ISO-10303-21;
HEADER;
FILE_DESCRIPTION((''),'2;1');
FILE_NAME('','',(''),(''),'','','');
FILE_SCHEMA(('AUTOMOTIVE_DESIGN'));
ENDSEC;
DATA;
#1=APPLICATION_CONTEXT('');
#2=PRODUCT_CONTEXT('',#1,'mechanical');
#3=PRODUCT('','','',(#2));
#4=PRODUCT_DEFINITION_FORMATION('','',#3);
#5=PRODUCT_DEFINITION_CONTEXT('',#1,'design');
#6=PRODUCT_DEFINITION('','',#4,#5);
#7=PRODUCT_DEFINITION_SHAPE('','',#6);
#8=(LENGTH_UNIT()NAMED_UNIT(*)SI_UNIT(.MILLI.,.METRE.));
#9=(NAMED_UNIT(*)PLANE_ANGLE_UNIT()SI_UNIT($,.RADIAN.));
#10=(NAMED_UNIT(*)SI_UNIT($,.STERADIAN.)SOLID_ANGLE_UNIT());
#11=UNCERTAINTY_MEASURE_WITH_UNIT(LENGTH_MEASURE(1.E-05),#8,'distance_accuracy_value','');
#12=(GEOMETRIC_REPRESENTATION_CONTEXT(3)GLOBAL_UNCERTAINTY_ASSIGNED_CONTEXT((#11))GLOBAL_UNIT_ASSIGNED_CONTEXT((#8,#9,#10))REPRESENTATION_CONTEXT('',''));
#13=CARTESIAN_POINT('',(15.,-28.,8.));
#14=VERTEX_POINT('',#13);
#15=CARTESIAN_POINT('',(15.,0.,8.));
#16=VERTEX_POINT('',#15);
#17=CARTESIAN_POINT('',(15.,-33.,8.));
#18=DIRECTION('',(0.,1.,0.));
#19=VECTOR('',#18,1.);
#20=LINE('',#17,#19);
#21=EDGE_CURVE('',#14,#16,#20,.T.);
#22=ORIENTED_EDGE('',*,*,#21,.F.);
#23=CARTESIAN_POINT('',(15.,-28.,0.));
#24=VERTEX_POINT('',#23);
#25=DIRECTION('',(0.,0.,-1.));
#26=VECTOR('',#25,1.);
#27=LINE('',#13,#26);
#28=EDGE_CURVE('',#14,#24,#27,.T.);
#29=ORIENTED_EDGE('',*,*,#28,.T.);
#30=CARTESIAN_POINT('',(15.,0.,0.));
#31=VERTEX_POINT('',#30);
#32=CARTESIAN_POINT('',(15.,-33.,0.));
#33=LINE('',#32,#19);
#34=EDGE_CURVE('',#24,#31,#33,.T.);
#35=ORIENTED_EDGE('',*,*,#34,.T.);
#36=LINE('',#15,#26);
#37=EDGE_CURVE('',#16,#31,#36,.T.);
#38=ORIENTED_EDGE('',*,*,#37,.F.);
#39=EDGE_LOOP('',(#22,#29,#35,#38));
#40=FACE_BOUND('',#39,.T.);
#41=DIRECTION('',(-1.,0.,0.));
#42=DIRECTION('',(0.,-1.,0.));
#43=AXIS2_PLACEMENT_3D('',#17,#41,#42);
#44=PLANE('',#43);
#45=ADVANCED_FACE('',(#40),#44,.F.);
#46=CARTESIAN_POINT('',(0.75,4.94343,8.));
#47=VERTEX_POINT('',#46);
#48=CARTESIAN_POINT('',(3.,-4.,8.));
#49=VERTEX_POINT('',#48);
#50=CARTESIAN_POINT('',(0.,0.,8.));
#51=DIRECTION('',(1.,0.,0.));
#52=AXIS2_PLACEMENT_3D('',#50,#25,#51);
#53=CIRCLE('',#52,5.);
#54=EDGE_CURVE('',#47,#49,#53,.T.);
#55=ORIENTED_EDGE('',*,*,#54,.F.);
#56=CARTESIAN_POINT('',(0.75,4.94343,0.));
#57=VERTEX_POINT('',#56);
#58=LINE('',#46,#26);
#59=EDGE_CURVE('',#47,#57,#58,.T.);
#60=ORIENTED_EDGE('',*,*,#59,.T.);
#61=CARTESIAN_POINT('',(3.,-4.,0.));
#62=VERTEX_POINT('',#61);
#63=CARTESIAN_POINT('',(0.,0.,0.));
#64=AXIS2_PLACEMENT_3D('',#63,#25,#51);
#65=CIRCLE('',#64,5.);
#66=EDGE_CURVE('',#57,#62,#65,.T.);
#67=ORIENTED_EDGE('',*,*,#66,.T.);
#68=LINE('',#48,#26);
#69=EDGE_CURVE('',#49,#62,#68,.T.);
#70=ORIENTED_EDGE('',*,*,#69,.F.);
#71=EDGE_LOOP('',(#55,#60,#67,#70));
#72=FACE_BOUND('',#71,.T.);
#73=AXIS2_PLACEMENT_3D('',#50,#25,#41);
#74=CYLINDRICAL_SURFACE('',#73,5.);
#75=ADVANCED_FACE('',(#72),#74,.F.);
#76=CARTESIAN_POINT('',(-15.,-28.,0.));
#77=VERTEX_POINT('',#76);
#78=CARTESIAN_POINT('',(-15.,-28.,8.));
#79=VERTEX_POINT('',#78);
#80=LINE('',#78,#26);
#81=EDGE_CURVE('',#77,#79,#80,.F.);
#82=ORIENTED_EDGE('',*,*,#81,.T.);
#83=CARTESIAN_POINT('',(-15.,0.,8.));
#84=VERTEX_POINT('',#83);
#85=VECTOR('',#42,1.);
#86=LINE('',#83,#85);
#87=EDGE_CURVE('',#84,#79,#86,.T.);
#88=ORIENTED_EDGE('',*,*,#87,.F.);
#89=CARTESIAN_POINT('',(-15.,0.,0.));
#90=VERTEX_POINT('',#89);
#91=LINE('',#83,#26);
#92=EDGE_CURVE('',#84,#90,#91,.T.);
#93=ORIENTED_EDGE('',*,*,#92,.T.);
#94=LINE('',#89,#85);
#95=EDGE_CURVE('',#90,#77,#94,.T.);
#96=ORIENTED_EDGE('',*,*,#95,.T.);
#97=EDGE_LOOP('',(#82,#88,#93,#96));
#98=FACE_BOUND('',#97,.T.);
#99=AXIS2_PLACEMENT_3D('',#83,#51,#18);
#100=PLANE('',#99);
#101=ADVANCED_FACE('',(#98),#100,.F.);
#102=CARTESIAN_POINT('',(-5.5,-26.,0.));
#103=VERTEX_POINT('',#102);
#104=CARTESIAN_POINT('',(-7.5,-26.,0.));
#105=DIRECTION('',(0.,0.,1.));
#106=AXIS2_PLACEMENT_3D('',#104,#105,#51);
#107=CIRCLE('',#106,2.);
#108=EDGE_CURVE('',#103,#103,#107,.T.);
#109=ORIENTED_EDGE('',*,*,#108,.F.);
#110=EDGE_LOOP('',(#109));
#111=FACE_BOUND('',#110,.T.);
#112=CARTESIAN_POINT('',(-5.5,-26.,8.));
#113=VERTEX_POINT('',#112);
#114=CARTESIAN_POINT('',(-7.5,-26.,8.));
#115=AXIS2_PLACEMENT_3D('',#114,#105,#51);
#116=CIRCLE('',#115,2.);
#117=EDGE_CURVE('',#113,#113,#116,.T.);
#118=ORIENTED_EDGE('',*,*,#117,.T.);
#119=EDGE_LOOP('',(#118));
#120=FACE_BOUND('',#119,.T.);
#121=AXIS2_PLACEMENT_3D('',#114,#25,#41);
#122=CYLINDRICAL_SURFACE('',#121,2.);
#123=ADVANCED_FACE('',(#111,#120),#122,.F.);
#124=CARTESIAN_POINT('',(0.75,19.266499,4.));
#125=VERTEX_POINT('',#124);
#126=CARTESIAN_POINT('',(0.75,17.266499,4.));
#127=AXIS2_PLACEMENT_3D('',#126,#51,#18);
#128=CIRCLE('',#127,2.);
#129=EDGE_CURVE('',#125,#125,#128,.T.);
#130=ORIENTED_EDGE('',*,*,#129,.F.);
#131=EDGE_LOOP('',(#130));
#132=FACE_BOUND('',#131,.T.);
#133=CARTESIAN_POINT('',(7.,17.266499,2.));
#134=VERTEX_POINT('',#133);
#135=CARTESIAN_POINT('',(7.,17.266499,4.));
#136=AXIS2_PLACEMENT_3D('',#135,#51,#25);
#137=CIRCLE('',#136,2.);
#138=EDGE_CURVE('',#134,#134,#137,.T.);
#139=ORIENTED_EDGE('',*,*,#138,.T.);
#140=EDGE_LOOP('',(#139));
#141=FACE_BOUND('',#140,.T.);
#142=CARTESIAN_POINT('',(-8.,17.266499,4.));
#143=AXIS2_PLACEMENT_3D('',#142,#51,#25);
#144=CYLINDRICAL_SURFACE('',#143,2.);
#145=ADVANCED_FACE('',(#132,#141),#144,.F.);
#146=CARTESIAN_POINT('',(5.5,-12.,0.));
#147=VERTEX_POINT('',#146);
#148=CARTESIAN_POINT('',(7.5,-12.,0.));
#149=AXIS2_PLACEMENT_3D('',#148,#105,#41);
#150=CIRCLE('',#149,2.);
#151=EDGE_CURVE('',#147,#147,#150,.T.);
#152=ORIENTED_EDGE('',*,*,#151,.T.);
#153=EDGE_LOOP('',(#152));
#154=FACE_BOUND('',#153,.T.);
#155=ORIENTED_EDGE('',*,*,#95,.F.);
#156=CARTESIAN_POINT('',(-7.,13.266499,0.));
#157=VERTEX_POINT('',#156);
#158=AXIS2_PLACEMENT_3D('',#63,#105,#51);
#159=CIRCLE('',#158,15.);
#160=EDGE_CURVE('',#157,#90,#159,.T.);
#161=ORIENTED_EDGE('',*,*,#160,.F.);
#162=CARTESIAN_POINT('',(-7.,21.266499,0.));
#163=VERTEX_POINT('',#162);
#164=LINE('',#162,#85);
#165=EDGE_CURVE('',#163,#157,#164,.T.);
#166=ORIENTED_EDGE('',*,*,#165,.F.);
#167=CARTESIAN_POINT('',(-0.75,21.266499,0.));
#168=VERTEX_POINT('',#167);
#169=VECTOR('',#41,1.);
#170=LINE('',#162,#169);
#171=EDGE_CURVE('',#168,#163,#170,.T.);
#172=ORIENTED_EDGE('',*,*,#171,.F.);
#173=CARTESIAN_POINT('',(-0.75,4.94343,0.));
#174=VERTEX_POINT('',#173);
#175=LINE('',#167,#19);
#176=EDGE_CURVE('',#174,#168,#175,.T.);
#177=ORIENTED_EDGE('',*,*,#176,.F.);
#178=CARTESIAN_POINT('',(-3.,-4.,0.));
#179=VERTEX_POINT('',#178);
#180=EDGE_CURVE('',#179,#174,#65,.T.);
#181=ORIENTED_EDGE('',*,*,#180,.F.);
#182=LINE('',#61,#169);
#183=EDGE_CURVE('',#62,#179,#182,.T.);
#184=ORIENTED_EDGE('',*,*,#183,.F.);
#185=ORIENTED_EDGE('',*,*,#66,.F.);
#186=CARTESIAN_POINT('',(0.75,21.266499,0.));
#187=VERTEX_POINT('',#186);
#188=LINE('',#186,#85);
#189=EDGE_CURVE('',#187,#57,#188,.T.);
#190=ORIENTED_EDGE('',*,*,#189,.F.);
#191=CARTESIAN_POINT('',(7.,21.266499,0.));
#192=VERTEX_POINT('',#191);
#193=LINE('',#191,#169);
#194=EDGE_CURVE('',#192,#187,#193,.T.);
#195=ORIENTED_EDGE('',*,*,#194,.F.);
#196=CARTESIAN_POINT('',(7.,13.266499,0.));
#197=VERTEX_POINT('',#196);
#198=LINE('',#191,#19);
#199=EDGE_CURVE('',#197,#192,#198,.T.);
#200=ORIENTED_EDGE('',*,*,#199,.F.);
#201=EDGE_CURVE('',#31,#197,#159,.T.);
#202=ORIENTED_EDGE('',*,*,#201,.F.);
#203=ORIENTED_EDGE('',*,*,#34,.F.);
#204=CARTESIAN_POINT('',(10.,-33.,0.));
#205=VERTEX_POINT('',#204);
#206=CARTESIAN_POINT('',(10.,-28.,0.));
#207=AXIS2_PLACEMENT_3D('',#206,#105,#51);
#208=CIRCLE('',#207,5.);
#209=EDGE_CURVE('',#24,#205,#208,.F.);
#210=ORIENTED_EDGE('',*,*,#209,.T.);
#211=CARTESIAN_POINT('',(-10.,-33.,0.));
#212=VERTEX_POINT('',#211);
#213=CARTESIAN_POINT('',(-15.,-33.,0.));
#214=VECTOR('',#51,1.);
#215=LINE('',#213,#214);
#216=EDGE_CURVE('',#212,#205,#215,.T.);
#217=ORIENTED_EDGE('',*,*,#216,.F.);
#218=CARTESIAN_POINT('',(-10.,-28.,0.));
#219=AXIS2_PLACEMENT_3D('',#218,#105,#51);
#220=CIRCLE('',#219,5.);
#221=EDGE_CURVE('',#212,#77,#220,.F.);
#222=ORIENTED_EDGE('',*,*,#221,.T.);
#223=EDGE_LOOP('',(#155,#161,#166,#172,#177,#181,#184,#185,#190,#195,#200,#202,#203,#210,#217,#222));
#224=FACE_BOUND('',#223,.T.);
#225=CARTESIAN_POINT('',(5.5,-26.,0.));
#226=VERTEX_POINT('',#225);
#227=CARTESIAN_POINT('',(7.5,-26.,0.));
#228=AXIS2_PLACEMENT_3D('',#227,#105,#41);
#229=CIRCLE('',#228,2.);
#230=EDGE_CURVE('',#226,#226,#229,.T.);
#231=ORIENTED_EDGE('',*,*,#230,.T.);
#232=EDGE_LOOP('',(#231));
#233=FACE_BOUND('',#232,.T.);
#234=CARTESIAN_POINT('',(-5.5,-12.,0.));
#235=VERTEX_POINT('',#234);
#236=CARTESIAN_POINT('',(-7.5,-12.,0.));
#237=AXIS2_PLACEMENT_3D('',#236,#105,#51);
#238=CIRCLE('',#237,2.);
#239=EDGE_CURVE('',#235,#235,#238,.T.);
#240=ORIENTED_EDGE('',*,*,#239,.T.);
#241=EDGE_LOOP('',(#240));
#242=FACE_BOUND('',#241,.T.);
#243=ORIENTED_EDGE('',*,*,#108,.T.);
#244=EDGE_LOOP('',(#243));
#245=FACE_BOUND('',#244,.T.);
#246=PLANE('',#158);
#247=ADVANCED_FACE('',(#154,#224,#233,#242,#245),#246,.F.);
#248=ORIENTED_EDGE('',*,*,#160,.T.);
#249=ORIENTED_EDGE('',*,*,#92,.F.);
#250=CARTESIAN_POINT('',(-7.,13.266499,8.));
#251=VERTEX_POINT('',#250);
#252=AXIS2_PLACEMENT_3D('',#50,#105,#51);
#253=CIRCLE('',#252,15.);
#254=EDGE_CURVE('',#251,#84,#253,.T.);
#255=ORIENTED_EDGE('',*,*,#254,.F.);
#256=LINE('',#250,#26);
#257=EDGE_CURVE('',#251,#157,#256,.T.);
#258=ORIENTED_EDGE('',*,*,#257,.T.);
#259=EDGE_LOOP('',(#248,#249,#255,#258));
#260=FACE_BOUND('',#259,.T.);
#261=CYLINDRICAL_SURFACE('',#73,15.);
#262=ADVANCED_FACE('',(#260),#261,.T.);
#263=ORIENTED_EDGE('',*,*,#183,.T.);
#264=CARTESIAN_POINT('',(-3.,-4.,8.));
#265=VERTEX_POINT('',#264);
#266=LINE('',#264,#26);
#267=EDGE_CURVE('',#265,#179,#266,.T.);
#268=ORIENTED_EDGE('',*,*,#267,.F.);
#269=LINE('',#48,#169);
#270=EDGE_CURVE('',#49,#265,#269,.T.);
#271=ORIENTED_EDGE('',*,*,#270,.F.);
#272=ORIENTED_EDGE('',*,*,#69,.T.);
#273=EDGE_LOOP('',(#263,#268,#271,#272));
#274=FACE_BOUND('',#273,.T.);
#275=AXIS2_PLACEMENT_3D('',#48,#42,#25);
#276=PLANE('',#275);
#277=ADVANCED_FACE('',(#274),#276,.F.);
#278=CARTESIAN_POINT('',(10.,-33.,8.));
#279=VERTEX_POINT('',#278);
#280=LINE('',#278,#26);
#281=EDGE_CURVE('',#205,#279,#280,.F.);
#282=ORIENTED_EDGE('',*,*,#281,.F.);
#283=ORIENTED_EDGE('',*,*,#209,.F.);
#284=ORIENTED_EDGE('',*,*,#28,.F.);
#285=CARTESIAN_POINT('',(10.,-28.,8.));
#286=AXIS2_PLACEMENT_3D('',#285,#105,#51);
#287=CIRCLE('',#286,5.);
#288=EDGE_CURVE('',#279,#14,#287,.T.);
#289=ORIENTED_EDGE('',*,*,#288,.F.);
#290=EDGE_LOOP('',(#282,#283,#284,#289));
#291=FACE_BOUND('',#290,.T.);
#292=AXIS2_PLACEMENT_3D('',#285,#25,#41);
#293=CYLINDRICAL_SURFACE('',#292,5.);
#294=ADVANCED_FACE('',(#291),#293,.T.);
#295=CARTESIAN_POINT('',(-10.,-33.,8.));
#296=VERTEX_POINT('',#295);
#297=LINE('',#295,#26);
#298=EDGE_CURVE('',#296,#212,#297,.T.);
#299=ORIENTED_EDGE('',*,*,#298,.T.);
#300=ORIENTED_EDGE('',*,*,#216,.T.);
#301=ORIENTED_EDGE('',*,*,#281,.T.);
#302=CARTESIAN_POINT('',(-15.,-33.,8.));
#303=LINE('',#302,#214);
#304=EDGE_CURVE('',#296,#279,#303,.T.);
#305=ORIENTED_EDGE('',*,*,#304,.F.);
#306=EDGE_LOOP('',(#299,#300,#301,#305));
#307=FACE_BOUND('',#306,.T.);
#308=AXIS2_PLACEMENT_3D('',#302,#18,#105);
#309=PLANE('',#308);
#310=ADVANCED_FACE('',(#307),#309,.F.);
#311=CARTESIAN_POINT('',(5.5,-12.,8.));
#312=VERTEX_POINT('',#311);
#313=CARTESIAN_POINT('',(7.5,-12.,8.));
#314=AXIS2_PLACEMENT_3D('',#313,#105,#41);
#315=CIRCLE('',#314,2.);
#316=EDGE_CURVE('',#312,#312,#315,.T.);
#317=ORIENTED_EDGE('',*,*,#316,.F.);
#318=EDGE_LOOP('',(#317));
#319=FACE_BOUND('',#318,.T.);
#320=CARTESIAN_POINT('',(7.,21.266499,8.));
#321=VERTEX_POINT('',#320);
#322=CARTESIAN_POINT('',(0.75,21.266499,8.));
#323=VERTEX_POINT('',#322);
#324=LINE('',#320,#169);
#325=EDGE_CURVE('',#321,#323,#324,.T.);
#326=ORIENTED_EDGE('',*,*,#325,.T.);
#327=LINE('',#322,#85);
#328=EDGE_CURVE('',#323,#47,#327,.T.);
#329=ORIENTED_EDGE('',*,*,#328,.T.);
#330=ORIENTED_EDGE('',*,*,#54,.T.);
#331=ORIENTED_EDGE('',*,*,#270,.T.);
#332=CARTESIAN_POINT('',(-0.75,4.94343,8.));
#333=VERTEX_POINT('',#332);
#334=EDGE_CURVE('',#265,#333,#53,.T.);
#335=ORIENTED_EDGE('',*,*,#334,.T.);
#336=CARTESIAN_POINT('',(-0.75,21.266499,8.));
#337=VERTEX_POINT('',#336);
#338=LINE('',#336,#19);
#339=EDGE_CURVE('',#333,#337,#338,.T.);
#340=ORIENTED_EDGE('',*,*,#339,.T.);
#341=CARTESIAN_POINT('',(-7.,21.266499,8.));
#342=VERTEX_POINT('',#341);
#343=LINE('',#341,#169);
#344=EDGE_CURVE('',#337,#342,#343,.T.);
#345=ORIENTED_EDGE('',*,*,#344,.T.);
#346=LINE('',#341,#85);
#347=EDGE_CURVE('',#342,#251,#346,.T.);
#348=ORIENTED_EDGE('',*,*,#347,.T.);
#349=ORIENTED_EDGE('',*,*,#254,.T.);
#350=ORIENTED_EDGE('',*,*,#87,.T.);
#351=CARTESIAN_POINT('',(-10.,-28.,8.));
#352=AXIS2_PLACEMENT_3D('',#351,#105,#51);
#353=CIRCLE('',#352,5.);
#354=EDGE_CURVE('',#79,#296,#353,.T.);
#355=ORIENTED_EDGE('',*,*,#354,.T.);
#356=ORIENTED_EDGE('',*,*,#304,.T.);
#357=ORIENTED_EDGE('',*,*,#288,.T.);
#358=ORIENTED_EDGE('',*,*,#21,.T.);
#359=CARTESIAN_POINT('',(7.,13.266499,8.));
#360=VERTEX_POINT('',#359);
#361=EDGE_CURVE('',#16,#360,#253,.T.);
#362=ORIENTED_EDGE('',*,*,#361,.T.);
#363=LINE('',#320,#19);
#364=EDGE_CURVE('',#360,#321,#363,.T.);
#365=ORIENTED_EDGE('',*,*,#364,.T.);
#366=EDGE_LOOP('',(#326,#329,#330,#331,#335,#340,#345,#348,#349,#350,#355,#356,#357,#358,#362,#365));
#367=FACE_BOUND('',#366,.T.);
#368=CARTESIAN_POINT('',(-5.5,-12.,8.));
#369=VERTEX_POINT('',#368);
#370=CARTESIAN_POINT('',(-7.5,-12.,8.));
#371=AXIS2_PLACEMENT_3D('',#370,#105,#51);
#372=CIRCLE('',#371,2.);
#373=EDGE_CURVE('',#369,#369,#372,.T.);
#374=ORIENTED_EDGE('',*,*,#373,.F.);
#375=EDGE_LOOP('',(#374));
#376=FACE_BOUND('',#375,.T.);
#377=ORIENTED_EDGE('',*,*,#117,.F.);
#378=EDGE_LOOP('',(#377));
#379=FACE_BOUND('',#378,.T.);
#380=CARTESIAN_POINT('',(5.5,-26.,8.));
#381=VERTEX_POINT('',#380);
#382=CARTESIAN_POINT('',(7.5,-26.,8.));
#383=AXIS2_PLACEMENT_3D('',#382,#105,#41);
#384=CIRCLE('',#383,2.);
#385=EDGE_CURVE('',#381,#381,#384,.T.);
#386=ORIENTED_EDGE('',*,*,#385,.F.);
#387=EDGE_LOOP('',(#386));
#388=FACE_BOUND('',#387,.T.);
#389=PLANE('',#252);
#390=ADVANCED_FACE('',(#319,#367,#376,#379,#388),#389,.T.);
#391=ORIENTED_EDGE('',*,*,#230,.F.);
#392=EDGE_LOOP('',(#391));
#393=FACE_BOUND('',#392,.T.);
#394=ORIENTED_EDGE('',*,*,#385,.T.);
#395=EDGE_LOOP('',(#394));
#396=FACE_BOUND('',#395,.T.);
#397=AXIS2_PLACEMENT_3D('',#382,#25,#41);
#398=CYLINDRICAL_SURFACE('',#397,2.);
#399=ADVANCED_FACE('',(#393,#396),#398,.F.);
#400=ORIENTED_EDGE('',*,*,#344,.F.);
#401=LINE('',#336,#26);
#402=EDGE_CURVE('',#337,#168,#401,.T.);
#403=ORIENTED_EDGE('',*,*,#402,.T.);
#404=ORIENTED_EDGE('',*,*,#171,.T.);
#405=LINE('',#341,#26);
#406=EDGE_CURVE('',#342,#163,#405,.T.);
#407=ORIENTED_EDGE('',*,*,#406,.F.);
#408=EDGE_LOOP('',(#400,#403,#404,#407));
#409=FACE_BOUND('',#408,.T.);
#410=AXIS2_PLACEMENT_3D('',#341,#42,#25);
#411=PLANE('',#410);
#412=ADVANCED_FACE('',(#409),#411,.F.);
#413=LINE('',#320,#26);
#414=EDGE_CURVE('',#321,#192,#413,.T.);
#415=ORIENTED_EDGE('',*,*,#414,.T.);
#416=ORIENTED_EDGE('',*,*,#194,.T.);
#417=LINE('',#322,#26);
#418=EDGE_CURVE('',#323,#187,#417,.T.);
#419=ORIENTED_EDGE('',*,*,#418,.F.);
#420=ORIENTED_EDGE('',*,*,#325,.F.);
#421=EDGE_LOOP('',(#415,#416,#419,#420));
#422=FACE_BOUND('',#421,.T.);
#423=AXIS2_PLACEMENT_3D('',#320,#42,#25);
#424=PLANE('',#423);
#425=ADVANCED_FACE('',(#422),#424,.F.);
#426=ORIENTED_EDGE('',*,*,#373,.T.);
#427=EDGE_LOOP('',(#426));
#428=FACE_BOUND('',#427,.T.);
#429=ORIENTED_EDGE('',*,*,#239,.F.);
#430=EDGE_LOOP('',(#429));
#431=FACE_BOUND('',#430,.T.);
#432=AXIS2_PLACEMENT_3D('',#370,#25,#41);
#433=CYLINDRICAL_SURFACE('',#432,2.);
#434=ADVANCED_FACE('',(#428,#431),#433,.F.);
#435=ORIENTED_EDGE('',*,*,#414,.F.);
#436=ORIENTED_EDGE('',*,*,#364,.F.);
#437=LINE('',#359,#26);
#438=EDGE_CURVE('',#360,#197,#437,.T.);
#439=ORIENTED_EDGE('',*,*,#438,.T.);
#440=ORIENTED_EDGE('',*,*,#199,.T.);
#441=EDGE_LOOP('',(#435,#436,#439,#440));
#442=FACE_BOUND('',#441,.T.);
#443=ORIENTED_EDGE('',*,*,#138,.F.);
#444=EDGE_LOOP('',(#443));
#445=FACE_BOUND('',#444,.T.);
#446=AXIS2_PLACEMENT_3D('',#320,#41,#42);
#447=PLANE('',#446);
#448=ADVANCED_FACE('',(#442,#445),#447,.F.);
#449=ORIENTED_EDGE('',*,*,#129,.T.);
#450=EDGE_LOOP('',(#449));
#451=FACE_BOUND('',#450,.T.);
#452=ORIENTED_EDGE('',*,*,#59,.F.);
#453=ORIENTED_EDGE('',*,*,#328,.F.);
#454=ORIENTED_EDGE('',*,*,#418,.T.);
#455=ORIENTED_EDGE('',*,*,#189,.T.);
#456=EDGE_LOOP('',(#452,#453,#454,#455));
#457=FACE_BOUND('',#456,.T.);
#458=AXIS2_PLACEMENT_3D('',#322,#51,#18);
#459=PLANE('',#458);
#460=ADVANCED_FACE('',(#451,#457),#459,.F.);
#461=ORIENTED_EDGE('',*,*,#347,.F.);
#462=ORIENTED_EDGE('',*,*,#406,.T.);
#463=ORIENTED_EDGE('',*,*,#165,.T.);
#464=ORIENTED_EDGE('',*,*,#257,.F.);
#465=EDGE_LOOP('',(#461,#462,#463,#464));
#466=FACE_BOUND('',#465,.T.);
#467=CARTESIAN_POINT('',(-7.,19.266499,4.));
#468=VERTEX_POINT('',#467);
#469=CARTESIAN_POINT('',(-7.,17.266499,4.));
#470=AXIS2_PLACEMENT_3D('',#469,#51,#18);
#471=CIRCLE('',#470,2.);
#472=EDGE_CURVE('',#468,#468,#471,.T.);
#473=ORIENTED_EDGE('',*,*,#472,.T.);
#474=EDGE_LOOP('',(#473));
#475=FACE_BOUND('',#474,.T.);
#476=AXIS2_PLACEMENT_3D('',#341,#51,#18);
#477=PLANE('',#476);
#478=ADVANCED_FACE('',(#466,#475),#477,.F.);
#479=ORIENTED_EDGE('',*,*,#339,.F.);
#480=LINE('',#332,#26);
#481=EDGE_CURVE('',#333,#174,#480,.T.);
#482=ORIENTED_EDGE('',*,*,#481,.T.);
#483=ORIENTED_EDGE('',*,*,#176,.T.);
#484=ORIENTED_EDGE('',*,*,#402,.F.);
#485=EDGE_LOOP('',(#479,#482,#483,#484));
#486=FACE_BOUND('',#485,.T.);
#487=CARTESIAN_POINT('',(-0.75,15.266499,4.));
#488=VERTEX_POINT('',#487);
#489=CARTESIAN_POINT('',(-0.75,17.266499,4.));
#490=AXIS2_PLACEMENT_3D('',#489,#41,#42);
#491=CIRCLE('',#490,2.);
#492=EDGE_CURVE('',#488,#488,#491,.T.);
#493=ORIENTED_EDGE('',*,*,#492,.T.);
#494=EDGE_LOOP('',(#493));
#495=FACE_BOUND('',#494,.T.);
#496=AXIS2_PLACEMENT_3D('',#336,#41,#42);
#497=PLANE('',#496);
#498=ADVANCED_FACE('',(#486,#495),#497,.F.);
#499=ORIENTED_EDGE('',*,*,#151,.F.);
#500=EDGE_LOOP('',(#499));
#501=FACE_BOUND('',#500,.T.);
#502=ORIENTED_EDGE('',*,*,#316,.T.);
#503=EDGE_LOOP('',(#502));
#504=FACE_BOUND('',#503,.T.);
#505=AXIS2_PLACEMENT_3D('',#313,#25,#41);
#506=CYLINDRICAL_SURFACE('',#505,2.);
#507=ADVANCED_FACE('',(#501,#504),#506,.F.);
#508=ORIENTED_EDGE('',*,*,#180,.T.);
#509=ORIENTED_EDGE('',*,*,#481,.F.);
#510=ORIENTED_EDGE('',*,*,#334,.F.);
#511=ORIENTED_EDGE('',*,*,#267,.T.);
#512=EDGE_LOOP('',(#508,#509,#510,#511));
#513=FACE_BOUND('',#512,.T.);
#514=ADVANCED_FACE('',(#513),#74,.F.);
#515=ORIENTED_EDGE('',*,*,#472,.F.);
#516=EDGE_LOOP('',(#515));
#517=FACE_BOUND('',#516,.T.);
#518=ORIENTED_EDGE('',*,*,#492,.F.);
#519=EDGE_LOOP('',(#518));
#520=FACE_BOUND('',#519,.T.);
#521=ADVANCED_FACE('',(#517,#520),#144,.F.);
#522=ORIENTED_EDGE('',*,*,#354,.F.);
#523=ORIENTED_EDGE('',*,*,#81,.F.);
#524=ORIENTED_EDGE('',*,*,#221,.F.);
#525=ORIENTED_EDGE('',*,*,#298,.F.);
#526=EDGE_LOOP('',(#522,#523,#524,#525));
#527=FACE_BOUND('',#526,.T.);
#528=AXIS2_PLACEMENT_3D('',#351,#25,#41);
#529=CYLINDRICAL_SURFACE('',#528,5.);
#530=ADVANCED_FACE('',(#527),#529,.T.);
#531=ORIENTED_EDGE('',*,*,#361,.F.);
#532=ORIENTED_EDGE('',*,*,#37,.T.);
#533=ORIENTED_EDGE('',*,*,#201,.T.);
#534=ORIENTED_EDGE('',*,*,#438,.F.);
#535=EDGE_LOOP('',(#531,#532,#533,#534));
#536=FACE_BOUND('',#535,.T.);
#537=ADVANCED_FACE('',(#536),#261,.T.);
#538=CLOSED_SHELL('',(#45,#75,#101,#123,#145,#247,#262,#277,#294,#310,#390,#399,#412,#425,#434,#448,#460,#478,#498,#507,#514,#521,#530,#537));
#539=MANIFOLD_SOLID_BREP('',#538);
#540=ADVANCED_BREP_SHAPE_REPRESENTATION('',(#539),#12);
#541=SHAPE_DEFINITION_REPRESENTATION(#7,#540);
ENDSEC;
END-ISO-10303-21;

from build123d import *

# Parameters (mm, degrees)
SKETCH_1_R          = 2
EXTRUDE_1_DEPTH     = 8
SKETCH_2_R          = 2
CUT_EXTRUDE_1_DEPTH = 15
FILLET_2_R          = 5


with BuildPart() as part:
    # 草图1 → 凸台-拉伸1 (new body)
    with BuildSketch(Plane.XY):
        with BuildLine():
            Line((-15, 0), (-15, -33))
            Line((-15, -33), (15, -33))
            Line((15, -33), (15, 0))
            ThreePointArc((15, 0), (12.845232579, 7.745966692), (7, 13.266499161))
            Line((7, 13.266499161), (7, 21.266499161))
            Line((7, 21.266499161), (0.75, 21.266499161))
            Line((0.75, 21.266499161), (0.75, 4.943429983))
            ThreePointArc((0.75, 4.943429983), (4.848902965, 1.219893452), (3, -4))
            Line((3, -4), (-3, -4))
            ThreePointArc((-3, -4), (-4.848902965, 1.219893452), (-0.75, 4.943429983))
            Line((-0.75, 4.943429983), (-0.75, 21.266499161))
            Line((-0.75, 21.266499161), (-7, 21.266499161))
            Line((-7, 21.266499161), (-7, 13.266499161))
            ThreePointArc((-7, 13.266499161), (-12.845232579, 7.745966692), (-15, 0))
        make_face()
        with Locations((-7.5, -12)):
            Circle(SKETCH_1_R, mode=Mode.SUBTRACT)
        with Locations((-7.5, -26)):
            Circle(SKETCH_1_R, mode=Mode.SUBTRACT)
        with Locations(Location((7.5, -26, 0), (0, 0, 180))):
            Circle(SKETCH_1_R, mode=Mode.SUBTRACT)
        with Locations(Location((7.5, -12, 0), (0, 0, 180))):
            Circle(SKETCH_1_R, mode=Mode.SUBTRACT)
    extrude(amount=EXTRUDE_1_DEPTH)

    # 草图2 → 切除-拉伸1 (cut)
    with BuildSketch(Plane(origin=(7, 0, 0), x_dir=(0, 0, -1), z_dir=(1, 0, 0))):
        with Locations((-4, 17.266499161)):
            Circle(SKETCH_2_R)
    extrude(amount=-CUT_EXTRUDE_1_DEPTH, mode=Mode.SUBTRACT)

    # 圆角2
    fillet_2_edges = [part.edges().sort_by_distance(p)[0] for p in [
        (15, -33, 4),
        (-15, -33, 4),
    ]]
    fillet(fillet_2_edges, radius=FILLET_2_R)


solid = part.part
